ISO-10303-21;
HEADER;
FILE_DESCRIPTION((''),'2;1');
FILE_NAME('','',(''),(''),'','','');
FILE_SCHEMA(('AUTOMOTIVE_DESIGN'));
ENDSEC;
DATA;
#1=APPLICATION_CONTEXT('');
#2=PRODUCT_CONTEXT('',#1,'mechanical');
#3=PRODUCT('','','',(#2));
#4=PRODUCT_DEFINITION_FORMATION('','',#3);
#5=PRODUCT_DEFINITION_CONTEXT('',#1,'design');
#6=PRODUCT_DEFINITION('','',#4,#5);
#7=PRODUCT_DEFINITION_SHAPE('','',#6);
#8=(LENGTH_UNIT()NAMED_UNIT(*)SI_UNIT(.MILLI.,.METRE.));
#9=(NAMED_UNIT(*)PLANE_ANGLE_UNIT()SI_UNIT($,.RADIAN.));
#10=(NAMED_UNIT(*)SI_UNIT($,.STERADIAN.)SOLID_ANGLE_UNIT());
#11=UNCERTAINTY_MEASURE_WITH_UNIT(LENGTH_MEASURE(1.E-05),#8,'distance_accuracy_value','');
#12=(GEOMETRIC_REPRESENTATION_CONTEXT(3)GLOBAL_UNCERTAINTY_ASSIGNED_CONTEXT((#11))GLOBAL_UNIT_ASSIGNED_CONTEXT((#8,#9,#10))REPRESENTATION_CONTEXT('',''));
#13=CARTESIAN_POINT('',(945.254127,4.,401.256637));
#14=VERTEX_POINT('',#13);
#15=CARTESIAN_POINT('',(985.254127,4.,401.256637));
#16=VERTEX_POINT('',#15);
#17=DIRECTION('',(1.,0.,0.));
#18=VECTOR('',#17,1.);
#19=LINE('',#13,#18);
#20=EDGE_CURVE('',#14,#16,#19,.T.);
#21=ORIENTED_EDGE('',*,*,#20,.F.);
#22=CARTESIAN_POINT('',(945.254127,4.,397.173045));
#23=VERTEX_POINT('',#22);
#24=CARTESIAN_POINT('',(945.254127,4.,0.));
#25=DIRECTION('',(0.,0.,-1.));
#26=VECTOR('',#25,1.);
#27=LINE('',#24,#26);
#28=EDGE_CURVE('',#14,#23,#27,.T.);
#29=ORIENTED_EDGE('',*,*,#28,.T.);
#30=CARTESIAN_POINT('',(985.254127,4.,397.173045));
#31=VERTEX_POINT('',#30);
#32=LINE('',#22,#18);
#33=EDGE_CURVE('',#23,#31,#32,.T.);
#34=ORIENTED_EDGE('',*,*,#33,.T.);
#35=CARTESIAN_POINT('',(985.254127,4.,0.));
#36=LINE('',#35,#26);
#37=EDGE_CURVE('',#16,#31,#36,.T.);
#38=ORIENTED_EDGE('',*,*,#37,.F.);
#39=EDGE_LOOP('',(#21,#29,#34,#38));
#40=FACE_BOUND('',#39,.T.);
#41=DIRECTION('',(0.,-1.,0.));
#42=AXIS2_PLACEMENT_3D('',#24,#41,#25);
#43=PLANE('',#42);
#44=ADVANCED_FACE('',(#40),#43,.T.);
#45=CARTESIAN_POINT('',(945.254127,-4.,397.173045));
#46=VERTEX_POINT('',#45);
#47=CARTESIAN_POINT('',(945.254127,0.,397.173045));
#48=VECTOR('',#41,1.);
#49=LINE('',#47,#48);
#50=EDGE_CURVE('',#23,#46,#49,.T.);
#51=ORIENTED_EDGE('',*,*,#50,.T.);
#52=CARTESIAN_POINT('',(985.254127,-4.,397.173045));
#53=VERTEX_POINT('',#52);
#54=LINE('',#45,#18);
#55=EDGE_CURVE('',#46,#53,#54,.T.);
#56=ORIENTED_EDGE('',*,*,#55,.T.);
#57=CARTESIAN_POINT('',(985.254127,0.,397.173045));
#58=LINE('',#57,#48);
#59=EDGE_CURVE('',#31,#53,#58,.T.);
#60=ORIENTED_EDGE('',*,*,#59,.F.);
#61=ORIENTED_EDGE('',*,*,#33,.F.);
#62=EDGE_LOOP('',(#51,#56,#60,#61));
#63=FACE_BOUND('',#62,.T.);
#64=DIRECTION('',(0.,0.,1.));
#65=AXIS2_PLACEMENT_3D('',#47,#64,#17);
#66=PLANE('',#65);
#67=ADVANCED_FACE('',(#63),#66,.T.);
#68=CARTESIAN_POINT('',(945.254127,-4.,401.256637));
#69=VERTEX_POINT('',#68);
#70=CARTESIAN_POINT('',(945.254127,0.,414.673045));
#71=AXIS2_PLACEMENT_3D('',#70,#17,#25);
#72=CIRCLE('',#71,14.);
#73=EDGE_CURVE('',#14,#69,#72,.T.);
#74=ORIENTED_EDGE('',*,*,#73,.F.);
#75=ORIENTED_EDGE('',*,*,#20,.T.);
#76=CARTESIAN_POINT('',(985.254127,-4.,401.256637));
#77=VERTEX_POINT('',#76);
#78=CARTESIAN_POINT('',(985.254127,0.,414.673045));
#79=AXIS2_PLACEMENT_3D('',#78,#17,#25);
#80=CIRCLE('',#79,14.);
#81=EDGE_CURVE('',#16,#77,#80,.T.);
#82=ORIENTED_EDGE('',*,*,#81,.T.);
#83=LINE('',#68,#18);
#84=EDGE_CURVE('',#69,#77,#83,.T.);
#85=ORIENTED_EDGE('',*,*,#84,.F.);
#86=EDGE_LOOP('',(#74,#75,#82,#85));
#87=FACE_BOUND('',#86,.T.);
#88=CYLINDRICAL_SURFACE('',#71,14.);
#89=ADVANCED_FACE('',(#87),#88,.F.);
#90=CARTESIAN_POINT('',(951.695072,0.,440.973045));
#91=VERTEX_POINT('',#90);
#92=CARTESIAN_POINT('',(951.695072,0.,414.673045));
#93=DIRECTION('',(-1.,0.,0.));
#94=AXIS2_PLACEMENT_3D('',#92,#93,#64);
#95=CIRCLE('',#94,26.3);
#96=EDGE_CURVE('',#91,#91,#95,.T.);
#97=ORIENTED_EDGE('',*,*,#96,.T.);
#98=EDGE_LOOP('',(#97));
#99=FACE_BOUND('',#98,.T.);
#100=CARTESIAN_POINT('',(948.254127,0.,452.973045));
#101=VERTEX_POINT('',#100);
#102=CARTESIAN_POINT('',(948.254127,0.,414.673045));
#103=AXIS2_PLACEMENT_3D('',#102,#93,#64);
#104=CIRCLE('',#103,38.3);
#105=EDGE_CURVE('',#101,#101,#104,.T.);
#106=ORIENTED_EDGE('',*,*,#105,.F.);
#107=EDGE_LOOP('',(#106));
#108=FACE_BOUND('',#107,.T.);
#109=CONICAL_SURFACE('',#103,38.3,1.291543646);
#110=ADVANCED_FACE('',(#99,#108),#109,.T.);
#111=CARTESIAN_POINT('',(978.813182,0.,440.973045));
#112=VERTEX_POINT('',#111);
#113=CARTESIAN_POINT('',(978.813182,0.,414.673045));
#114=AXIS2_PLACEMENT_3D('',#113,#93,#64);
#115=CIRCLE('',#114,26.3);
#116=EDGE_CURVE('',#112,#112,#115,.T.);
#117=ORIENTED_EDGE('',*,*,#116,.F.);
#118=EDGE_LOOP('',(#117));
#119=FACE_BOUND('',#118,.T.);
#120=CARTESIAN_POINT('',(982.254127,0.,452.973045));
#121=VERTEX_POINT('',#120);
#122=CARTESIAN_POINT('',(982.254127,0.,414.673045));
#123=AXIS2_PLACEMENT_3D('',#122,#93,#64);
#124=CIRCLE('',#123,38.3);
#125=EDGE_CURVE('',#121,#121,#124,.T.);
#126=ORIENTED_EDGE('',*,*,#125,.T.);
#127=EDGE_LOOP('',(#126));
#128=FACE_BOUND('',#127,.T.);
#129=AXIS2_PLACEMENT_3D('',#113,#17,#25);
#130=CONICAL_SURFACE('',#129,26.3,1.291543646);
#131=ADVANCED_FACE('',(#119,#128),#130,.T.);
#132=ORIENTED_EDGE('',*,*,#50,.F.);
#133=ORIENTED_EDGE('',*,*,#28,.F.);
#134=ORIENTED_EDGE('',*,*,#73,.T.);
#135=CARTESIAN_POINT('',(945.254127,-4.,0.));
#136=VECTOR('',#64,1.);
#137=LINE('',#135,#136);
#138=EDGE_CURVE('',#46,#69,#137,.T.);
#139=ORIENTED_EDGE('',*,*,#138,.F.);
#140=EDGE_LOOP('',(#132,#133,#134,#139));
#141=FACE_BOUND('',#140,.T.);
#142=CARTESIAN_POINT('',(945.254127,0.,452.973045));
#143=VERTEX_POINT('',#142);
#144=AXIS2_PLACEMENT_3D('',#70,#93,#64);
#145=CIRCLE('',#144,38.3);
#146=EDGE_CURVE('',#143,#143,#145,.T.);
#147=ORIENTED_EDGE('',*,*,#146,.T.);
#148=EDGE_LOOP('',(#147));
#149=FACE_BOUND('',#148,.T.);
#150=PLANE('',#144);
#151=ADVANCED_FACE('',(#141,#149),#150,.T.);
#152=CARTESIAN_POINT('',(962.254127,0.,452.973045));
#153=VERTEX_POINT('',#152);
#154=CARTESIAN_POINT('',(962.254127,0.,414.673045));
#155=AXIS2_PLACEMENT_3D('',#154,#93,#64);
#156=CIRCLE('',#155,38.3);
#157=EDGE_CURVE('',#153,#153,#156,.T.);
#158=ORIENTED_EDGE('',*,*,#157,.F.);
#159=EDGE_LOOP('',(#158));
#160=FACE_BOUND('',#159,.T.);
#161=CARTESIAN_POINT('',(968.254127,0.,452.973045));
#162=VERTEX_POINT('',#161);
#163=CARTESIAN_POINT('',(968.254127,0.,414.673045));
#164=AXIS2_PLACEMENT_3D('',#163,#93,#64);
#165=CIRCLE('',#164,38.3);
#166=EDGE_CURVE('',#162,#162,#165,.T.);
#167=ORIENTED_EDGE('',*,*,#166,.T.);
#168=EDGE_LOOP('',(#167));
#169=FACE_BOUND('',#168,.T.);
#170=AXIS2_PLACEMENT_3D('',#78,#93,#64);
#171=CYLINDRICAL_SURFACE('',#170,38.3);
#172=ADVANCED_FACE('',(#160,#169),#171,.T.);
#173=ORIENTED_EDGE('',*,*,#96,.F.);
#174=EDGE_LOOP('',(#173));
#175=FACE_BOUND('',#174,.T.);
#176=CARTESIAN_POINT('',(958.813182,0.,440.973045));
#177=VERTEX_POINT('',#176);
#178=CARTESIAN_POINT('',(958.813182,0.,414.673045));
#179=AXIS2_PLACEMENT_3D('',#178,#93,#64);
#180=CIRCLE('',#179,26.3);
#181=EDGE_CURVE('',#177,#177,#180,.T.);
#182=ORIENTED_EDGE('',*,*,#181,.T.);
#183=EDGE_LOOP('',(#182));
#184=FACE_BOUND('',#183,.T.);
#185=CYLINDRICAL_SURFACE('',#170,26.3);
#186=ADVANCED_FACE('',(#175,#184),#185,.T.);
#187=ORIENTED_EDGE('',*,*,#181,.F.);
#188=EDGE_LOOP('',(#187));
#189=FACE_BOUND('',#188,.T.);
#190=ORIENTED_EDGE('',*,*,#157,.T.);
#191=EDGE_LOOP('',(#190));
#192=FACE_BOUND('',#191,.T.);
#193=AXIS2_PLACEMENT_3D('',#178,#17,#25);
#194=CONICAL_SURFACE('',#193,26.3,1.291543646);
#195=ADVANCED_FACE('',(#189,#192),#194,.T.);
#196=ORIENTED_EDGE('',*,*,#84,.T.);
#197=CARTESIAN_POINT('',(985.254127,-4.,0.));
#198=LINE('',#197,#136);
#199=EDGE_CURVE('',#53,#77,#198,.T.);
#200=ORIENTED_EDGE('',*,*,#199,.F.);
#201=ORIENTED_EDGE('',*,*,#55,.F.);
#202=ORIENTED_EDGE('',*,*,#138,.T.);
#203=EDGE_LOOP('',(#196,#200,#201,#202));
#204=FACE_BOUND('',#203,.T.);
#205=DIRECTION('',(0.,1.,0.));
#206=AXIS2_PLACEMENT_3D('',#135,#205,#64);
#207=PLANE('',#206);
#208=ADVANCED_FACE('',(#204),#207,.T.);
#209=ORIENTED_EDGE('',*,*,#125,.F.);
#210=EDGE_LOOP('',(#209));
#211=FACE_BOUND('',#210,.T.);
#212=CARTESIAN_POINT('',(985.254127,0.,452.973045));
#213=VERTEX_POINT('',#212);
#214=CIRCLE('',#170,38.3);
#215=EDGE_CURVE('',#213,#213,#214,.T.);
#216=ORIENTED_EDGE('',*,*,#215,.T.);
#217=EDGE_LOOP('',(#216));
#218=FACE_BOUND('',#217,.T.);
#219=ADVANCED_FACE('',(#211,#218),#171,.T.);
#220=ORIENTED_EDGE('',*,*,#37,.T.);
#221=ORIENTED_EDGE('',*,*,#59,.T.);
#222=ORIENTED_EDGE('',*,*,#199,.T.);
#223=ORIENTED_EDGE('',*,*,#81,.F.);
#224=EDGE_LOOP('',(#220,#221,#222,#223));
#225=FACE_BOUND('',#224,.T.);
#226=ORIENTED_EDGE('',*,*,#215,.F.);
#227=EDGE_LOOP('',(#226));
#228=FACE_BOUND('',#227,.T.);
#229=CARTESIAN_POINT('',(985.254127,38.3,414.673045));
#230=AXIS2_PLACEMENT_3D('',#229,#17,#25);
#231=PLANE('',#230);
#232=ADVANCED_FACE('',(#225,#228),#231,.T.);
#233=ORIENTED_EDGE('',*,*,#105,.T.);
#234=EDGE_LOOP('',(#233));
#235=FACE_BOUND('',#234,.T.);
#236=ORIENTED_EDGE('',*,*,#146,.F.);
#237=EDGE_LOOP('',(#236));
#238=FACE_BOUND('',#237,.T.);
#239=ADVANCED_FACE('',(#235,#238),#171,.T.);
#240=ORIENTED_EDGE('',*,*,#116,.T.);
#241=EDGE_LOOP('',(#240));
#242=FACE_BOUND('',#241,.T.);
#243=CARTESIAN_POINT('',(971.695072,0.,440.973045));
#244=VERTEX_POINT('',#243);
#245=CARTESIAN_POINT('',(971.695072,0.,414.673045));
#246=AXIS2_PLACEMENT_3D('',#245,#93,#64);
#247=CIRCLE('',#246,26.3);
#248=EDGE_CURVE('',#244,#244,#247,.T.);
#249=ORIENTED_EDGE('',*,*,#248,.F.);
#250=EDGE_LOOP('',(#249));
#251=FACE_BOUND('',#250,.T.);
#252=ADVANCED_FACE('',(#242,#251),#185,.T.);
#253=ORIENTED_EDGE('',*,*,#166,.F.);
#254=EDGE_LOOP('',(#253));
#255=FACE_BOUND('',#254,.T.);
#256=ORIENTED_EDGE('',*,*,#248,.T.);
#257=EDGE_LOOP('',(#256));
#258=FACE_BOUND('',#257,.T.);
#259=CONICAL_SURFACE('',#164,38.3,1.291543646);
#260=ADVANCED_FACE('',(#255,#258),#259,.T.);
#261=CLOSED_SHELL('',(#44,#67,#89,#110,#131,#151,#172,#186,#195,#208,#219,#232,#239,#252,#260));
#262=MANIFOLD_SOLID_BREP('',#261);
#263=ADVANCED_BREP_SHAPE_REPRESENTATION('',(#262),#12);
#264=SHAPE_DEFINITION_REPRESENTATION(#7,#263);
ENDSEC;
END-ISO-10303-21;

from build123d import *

# Parameters (mm, degrees)
KES_EKSTR_ZYON1_DEPTH = 457.345778602
IZIM3_R               = 14
KES_EKSTR_ZYON2_DEPTH = 40
KES_EKSTR_ZYON3_DEPTH = 40


with BuildPart() as part:
    # Çizim1 → Döndür1 (revolve)
    with BuildSketch(Plane(origin=(0, 0, 414.673045167), x_dir=(-1, 0, 0), z_dir=(0, 0, -1)), mode=Mode.PRIVATE) as d_nd_r1_sk:
        Polygon((-985.254127108, 38.3), (-985.254127108, 0), (-945.254127108, 0), (-945.254127108, 38.3), (-948.254127108, 38.3), (-951.695071737, 26.3), (-958.813182479, 26.3), (-962.254127108, 38.3), (-968.254127108, 38.3), (-971.695071737, 26.3), (-978.813182479, 26.3), (-982.254127108, 38.3), align=None)
    revolve(d_nd_r1_sk.sketch.rotate(Axis((985.254127108, 0, 414.673045167), (-1, 0, 0)), 270), axis=Axis((985.254127108, 0, 414.673045167), (-1, 0, 0)))

    # Çizim2 → Kes-Ekstrüzyon1 (cut, through all)
    with BuildSketch(Plane.ZY.offset(-945.254127108)):
        with BuildLine():
            Line((405.659166978, 3), (402.173045167, 3))
            Line((402.173045167, 3), (402.173045167, -3))
            Line((402.173045167, -3), (405.659166978, -3))
            ThreePointArc((405.659166978, -3), (424.173045167, 0), (405.659166978, 3))
        make_face()
    extrude(amount=-KES_EKSTR_ZYON1_DEPTH, mode=Mode.SUBTRACT)

    # Çizim3 → Kes-Ekstrüzyon2 (cut)
    with BuildSketch(Plane(origin=(985.254127108, 0, 0), x_dir=(0, 0, -1), z_dir=(1, 0, 0))):
        with Locations((-414.673045167, 0)):
            Circle(IZIM3_R)
    extrude(amount=-KES_EKSTR_ZYON2_DEPTH, mode=Mode.SUBTRACT)

    # Çizim4 → Kes-Ekstrüzyon3 (cut)
    with BuildSketch(Plane(origin=(985.254127108, 0, 0), x_dir=(0, 0, -1), z_dir=(1, 0, 0))):
        Polygon((-400.673045167, 4), (-400.673045167, 0), (-400.673045167, -4), (-397.173045167, -4), (-397.173045167, 4), align=None)
        with BuildLine():
            ThreePointArc((-401.256637302, 4), (-400.819711451, 2.02117415), (-400.673045167, 0))
            Line((-400.673045167, 0), (-400.673045167, 4))
            Line((-400.673045167, 4), (-401.256637302, 4))
        make_face()
        with BuildLine():
            Line((-400.673045167, -4), (-400.673045167, 0))
            ThreePointArc((-400.673045167, 0), (-400.819711451, -2.02117415), (-401.256637302, -4))
            Line((-401.256637302, -4), (-400.673045167, -4))
        make_face()
    extrude(amount=-KES_EKSTR_ZYON3_DEPTH, mode=Mode.SUBTRACT)


solid = part.part
